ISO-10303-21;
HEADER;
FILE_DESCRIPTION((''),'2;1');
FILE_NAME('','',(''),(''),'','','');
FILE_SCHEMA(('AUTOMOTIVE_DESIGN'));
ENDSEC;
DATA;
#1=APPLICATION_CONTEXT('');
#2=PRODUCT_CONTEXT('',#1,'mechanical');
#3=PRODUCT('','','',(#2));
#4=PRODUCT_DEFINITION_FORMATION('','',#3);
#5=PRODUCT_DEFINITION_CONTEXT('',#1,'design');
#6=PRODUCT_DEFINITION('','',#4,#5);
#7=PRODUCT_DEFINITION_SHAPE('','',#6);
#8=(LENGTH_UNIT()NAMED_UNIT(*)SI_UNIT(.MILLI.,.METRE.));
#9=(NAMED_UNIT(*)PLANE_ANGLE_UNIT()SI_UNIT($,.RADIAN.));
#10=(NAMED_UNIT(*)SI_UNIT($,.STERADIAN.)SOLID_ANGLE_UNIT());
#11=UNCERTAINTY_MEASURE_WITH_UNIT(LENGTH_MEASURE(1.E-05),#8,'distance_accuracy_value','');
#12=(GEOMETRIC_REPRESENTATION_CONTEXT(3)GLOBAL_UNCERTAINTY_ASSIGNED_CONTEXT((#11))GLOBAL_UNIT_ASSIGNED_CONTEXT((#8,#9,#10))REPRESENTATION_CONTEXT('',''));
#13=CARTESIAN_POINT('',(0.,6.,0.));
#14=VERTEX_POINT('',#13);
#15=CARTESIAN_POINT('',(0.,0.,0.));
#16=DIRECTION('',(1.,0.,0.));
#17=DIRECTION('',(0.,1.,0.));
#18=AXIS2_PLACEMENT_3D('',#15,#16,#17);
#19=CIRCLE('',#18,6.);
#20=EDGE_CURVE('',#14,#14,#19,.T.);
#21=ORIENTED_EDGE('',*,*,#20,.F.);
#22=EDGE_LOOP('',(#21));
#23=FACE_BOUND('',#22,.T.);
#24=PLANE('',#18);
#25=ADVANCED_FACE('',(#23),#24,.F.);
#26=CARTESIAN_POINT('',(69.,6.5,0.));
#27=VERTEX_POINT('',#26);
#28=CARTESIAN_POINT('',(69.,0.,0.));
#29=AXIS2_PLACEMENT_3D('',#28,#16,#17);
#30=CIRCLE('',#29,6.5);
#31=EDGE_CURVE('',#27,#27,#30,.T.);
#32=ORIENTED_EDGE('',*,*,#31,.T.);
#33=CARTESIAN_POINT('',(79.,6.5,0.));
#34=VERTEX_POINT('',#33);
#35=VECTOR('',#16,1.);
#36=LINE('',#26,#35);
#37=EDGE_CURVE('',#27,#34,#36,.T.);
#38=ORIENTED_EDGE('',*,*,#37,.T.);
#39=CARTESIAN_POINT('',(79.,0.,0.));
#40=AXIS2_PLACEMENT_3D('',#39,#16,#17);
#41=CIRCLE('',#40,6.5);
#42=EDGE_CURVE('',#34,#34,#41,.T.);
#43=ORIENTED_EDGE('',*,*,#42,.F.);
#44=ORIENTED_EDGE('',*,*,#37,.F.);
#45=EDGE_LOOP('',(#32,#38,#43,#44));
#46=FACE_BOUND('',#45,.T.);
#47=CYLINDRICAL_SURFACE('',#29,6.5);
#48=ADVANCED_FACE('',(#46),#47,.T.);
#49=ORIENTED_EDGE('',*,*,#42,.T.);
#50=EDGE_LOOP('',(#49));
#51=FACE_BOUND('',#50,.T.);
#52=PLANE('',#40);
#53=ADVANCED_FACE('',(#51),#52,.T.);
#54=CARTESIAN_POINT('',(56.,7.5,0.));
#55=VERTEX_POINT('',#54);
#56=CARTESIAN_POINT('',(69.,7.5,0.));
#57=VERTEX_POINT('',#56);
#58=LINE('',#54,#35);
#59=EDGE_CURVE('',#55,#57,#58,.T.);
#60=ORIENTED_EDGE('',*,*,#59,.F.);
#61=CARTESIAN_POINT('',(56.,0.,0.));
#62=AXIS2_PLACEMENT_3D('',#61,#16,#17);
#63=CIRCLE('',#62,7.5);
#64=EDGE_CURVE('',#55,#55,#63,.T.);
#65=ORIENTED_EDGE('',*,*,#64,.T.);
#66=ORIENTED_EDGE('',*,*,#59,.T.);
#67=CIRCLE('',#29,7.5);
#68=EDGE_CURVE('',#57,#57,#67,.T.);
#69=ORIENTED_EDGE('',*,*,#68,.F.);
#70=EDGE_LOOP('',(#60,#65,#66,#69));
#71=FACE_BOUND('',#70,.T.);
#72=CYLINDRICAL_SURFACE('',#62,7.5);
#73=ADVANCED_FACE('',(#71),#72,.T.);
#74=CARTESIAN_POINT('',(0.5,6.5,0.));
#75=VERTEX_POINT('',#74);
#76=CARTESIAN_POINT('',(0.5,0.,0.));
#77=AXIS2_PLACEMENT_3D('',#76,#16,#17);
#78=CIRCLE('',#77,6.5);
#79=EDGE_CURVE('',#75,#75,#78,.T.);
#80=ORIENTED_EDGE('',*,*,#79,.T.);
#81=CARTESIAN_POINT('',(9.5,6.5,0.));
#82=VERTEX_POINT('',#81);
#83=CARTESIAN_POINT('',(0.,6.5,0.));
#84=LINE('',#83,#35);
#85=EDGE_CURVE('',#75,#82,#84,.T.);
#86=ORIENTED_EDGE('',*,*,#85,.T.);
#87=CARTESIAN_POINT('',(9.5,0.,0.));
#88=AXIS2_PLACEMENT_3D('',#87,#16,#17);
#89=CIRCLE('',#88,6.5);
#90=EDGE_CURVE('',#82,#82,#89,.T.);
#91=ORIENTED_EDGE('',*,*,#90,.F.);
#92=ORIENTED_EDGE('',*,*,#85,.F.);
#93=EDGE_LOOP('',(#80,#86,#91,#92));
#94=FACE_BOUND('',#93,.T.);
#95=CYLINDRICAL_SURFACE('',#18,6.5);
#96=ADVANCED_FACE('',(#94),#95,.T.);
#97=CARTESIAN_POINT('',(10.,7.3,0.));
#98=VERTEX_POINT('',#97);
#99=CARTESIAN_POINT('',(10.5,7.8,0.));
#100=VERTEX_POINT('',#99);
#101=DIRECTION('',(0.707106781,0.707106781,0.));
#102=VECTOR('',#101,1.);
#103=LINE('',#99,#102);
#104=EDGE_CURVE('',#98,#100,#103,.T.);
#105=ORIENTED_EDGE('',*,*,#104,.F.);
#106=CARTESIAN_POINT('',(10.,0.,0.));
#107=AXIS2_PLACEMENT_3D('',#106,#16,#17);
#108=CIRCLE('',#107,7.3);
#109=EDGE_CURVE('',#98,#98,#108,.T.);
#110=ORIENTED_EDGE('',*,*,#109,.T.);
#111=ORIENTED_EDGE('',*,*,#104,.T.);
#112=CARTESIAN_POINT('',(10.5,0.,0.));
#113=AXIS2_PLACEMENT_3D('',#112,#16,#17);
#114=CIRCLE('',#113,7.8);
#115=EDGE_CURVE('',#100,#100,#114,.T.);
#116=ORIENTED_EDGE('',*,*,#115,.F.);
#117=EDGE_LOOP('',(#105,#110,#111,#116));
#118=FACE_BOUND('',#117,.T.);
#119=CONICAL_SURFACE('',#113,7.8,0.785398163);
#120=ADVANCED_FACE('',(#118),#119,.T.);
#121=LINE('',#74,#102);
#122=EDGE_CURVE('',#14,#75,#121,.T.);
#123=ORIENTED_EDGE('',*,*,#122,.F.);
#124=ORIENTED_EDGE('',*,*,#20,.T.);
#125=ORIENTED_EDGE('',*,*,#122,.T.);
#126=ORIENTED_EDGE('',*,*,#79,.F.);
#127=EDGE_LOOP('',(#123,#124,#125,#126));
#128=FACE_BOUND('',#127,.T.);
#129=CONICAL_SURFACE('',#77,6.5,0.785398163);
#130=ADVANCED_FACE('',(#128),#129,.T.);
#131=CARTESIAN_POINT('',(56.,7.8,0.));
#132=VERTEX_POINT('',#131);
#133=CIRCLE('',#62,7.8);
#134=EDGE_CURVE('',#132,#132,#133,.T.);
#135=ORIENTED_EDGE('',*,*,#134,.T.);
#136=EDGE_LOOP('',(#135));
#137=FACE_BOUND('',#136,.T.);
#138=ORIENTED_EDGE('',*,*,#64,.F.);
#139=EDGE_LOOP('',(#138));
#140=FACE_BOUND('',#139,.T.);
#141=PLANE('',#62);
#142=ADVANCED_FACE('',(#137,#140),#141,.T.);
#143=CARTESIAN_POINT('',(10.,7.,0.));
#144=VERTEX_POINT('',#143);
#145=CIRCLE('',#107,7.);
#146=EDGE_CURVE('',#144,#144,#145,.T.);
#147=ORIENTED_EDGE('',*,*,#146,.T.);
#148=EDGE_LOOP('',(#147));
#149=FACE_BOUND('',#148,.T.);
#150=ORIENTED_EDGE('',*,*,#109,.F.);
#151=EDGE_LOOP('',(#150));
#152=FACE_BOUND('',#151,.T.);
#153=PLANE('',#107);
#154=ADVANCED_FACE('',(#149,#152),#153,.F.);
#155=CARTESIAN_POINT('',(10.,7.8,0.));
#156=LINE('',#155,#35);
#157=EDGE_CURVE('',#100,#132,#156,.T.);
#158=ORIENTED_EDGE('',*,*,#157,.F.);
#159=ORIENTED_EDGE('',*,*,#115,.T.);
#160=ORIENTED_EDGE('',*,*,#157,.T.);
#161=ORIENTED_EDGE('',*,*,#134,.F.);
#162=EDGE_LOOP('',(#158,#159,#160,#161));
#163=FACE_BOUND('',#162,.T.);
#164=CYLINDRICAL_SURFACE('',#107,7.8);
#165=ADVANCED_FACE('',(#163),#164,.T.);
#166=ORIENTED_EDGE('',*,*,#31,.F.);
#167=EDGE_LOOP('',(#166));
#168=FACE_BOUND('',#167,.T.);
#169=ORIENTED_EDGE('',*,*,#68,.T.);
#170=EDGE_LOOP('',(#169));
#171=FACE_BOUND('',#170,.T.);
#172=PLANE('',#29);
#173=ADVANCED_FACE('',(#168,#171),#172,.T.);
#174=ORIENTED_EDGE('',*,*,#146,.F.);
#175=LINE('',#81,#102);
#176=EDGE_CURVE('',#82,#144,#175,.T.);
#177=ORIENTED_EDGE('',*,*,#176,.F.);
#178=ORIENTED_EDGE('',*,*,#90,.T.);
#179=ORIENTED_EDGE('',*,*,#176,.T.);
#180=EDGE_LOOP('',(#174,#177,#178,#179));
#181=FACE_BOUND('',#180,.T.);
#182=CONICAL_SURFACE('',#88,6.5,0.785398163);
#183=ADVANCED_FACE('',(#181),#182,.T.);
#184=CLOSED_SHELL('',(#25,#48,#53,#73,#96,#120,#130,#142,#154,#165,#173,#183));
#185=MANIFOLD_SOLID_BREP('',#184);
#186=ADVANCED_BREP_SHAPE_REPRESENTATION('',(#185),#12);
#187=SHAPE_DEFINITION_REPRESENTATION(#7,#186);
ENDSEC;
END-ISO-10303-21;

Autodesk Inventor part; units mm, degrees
ref_plane "Start Plane" through (0, 0, 0) normal (1, 0, 0) x (0, 1, 0)
ref_plane "XZ Plane" through (0, 0, 0) normal (0, 1, 0) x (-1, 0, 0)
ref_plane "XY Plane" through (0, 0, 0) normal (0, 0, 1) x (1, 0, 0)
sketch "Main Sketch" plane through (0, 0, 0) normal (0, 0, 1) x (1, 0, 0)
  line L0 (0, 0) -> (79, 0)
  line L1 (0, 0) -> (0, 6.5)
  line L2 (0, 6.5) -> (10, 6.5)
  line L3 (10, 6.5) -> (10, 7.8)
  line L4 (56, 7.8) -> (56, 7.5)
  line L5 (10, 7.8) -> (56, 7.8)
  line L6 (69, 7.5) -> (69, 6.5)
  line L7 (56, 7.5) -> (69, 7.5)
  line L8 (79, 6.5) -> (79, 0)
  line L9 (69, 6.5) -> (79, 6.5)
  dimension "d3" = 13
  dimension "d4" = 15.6
  dimension "d5" = 15
  dimension "d6" = 13
revolve "Revolution1" add sketch "Main Sketch" angle 360 about axis through (0, 0, 0) along (1, 0, 0)
chamfer "Chamfer4" distance 0.5 angle 45 1 edges at (0, -6.5, 0) measured on face at (3.3333, 6.4158, -1.0427)
chamfer "Chamfer2" distance 0.5 angle 45 1 edges at (10, -6.5, 0) measured on face at (3.6667, 6.4789, -0.523)
chamfer "Chamfer3" distance 0.5 angle 45 1 edges at (10, -7.8, 0) measured on face at (25.3333, 7.699, -1.2512)
properties part number "Pedales - Eje" material "Steel"
